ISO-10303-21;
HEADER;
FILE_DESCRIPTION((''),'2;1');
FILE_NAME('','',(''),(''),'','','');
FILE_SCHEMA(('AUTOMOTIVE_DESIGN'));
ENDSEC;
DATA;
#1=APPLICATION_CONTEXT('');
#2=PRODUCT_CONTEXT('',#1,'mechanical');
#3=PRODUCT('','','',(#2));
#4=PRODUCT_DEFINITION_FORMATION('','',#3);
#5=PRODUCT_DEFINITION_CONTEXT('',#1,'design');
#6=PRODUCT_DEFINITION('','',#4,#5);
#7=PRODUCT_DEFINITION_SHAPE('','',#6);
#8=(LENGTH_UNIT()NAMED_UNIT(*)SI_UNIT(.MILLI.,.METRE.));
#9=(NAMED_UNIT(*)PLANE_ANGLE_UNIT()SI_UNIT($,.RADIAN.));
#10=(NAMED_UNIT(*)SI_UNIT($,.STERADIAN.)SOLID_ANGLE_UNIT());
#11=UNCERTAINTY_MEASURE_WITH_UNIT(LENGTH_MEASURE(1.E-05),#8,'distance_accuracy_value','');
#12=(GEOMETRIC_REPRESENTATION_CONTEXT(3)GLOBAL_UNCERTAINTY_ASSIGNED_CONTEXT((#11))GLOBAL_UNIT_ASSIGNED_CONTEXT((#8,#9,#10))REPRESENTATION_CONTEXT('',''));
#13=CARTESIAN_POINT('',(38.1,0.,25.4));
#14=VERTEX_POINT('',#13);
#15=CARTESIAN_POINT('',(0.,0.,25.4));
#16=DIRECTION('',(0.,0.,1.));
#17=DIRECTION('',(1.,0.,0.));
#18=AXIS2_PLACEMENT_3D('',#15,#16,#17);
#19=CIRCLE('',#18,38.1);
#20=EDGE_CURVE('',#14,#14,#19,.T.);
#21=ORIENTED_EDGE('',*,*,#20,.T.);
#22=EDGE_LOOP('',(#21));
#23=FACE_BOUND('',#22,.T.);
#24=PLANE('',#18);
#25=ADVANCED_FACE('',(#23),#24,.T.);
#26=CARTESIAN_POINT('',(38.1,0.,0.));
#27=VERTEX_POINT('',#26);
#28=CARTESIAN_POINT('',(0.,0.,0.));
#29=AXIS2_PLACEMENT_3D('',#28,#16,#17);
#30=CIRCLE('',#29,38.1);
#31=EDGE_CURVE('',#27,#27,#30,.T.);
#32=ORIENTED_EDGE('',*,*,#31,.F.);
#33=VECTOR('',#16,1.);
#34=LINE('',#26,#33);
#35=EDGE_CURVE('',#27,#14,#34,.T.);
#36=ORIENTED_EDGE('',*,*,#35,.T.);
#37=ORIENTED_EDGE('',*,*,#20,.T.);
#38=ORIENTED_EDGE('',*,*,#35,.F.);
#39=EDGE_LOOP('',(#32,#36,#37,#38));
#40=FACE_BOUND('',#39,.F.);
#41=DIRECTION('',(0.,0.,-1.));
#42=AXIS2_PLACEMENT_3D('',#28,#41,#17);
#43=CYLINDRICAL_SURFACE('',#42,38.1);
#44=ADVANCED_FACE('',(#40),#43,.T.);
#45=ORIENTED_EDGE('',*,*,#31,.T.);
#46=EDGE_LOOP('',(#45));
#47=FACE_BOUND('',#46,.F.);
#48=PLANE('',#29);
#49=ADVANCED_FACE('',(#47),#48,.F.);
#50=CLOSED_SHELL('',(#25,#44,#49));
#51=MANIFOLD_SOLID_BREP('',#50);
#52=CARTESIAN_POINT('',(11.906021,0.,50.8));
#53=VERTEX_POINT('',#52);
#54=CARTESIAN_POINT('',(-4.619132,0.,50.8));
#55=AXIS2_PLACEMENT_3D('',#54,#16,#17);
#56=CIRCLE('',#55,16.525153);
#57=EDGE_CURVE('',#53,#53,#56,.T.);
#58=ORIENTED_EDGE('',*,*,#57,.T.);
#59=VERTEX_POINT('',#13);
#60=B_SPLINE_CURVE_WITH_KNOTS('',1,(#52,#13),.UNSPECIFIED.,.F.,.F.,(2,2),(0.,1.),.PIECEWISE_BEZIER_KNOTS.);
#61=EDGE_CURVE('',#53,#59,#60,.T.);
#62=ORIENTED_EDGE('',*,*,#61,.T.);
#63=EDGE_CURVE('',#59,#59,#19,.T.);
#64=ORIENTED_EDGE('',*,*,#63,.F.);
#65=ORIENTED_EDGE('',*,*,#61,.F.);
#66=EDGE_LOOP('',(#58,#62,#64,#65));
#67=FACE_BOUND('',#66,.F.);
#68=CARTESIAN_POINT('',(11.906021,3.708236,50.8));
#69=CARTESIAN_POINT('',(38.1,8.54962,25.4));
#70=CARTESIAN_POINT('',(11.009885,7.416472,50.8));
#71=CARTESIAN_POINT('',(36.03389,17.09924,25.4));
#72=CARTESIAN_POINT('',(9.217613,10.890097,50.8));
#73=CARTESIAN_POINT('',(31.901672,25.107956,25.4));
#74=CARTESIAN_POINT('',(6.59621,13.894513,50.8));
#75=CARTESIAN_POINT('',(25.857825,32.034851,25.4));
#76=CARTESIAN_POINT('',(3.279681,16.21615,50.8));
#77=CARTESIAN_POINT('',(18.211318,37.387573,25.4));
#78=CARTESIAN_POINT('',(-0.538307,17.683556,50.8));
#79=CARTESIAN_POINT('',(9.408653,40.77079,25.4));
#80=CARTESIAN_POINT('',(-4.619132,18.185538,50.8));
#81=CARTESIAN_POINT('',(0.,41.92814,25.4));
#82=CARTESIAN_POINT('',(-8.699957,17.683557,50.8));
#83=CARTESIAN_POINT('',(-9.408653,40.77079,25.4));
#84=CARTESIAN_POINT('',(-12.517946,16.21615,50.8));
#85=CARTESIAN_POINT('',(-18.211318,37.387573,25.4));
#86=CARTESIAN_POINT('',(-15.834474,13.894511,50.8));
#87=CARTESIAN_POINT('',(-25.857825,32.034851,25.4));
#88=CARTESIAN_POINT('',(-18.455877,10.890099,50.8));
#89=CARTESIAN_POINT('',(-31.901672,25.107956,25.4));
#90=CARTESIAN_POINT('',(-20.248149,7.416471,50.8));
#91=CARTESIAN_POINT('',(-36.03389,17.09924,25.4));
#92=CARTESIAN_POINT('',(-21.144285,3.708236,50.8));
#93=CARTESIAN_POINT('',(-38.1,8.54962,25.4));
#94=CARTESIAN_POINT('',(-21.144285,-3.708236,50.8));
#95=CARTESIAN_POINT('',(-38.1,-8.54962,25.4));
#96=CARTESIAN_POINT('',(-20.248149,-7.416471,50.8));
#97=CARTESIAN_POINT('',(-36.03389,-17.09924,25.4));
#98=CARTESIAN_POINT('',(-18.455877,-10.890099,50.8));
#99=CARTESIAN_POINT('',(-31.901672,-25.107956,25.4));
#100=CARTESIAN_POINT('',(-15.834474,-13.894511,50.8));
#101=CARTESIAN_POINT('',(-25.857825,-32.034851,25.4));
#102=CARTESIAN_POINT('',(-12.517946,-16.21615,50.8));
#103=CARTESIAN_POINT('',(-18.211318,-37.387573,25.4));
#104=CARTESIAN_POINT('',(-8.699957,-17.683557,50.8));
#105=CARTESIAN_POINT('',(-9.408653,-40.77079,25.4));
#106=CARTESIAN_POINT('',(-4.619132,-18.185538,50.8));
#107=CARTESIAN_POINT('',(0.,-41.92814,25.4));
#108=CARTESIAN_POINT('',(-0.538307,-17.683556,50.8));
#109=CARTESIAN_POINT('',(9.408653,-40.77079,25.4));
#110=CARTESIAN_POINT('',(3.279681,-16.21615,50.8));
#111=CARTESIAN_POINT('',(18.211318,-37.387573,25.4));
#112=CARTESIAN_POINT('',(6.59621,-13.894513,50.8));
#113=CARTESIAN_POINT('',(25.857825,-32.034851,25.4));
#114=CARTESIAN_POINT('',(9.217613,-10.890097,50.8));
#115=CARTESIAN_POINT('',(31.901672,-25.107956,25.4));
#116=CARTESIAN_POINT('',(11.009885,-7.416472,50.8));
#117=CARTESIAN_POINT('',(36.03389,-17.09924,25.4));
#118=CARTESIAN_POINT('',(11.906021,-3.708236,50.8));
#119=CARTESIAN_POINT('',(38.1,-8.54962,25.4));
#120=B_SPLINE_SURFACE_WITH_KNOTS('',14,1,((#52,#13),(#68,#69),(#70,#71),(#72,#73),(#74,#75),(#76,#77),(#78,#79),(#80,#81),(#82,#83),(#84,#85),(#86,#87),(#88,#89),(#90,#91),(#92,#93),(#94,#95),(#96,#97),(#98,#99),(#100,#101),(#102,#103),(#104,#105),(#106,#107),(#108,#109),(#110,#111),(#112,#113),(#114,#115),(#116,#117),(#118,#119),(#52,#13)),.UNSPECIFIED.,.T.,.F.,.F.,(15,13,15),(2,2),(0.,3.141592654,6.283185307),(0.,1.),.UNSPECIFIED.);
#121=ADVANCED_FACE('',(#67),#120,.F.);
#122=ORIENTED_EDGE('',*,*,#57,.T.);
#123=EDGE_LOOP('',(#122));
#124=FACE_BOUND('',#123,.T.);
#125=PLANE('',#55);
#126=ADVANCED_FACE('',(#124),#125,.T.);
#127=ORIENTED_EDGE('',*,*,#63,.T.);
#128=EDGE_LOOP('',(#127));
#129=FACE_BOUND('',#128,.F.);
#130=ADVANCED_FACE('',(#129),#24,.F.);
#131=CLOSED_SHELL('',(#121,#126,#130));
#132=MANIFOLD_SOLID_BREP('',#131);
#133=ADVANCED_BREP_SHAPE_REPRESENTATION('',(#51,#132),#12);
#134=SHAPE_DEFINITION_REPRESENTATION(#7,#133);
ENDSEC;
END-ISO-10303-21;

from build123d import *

# Parameters (mm, degrees)
F0_R      = 38.1
F2_DEPTH  = 25.4
F4_R      = 16.525153
F2_FACE_R = 38.1


with BuildPart() as f2:
    # F0 (on Top) → F2 (new body)
    with BuildSketch(Plane.XY):
        Circle(F0_R)
    extrude(amount=F2_DEPTH)


with BuildPart() as f5:
    # F4 (on offset) → F5 section 0
    with BuildSketch(Plane.XY.offset(50.8)):
        with Locations((-4.619132, 0)):
            Circle(F4_R)
    # F2_face (on face) → F5 section 1
    with BuildSketch(Plane.XY.offset(25.4)):
        Circle(F2_FACE_R)
    loft()


solid = Compound([f2.part, f5.part])
